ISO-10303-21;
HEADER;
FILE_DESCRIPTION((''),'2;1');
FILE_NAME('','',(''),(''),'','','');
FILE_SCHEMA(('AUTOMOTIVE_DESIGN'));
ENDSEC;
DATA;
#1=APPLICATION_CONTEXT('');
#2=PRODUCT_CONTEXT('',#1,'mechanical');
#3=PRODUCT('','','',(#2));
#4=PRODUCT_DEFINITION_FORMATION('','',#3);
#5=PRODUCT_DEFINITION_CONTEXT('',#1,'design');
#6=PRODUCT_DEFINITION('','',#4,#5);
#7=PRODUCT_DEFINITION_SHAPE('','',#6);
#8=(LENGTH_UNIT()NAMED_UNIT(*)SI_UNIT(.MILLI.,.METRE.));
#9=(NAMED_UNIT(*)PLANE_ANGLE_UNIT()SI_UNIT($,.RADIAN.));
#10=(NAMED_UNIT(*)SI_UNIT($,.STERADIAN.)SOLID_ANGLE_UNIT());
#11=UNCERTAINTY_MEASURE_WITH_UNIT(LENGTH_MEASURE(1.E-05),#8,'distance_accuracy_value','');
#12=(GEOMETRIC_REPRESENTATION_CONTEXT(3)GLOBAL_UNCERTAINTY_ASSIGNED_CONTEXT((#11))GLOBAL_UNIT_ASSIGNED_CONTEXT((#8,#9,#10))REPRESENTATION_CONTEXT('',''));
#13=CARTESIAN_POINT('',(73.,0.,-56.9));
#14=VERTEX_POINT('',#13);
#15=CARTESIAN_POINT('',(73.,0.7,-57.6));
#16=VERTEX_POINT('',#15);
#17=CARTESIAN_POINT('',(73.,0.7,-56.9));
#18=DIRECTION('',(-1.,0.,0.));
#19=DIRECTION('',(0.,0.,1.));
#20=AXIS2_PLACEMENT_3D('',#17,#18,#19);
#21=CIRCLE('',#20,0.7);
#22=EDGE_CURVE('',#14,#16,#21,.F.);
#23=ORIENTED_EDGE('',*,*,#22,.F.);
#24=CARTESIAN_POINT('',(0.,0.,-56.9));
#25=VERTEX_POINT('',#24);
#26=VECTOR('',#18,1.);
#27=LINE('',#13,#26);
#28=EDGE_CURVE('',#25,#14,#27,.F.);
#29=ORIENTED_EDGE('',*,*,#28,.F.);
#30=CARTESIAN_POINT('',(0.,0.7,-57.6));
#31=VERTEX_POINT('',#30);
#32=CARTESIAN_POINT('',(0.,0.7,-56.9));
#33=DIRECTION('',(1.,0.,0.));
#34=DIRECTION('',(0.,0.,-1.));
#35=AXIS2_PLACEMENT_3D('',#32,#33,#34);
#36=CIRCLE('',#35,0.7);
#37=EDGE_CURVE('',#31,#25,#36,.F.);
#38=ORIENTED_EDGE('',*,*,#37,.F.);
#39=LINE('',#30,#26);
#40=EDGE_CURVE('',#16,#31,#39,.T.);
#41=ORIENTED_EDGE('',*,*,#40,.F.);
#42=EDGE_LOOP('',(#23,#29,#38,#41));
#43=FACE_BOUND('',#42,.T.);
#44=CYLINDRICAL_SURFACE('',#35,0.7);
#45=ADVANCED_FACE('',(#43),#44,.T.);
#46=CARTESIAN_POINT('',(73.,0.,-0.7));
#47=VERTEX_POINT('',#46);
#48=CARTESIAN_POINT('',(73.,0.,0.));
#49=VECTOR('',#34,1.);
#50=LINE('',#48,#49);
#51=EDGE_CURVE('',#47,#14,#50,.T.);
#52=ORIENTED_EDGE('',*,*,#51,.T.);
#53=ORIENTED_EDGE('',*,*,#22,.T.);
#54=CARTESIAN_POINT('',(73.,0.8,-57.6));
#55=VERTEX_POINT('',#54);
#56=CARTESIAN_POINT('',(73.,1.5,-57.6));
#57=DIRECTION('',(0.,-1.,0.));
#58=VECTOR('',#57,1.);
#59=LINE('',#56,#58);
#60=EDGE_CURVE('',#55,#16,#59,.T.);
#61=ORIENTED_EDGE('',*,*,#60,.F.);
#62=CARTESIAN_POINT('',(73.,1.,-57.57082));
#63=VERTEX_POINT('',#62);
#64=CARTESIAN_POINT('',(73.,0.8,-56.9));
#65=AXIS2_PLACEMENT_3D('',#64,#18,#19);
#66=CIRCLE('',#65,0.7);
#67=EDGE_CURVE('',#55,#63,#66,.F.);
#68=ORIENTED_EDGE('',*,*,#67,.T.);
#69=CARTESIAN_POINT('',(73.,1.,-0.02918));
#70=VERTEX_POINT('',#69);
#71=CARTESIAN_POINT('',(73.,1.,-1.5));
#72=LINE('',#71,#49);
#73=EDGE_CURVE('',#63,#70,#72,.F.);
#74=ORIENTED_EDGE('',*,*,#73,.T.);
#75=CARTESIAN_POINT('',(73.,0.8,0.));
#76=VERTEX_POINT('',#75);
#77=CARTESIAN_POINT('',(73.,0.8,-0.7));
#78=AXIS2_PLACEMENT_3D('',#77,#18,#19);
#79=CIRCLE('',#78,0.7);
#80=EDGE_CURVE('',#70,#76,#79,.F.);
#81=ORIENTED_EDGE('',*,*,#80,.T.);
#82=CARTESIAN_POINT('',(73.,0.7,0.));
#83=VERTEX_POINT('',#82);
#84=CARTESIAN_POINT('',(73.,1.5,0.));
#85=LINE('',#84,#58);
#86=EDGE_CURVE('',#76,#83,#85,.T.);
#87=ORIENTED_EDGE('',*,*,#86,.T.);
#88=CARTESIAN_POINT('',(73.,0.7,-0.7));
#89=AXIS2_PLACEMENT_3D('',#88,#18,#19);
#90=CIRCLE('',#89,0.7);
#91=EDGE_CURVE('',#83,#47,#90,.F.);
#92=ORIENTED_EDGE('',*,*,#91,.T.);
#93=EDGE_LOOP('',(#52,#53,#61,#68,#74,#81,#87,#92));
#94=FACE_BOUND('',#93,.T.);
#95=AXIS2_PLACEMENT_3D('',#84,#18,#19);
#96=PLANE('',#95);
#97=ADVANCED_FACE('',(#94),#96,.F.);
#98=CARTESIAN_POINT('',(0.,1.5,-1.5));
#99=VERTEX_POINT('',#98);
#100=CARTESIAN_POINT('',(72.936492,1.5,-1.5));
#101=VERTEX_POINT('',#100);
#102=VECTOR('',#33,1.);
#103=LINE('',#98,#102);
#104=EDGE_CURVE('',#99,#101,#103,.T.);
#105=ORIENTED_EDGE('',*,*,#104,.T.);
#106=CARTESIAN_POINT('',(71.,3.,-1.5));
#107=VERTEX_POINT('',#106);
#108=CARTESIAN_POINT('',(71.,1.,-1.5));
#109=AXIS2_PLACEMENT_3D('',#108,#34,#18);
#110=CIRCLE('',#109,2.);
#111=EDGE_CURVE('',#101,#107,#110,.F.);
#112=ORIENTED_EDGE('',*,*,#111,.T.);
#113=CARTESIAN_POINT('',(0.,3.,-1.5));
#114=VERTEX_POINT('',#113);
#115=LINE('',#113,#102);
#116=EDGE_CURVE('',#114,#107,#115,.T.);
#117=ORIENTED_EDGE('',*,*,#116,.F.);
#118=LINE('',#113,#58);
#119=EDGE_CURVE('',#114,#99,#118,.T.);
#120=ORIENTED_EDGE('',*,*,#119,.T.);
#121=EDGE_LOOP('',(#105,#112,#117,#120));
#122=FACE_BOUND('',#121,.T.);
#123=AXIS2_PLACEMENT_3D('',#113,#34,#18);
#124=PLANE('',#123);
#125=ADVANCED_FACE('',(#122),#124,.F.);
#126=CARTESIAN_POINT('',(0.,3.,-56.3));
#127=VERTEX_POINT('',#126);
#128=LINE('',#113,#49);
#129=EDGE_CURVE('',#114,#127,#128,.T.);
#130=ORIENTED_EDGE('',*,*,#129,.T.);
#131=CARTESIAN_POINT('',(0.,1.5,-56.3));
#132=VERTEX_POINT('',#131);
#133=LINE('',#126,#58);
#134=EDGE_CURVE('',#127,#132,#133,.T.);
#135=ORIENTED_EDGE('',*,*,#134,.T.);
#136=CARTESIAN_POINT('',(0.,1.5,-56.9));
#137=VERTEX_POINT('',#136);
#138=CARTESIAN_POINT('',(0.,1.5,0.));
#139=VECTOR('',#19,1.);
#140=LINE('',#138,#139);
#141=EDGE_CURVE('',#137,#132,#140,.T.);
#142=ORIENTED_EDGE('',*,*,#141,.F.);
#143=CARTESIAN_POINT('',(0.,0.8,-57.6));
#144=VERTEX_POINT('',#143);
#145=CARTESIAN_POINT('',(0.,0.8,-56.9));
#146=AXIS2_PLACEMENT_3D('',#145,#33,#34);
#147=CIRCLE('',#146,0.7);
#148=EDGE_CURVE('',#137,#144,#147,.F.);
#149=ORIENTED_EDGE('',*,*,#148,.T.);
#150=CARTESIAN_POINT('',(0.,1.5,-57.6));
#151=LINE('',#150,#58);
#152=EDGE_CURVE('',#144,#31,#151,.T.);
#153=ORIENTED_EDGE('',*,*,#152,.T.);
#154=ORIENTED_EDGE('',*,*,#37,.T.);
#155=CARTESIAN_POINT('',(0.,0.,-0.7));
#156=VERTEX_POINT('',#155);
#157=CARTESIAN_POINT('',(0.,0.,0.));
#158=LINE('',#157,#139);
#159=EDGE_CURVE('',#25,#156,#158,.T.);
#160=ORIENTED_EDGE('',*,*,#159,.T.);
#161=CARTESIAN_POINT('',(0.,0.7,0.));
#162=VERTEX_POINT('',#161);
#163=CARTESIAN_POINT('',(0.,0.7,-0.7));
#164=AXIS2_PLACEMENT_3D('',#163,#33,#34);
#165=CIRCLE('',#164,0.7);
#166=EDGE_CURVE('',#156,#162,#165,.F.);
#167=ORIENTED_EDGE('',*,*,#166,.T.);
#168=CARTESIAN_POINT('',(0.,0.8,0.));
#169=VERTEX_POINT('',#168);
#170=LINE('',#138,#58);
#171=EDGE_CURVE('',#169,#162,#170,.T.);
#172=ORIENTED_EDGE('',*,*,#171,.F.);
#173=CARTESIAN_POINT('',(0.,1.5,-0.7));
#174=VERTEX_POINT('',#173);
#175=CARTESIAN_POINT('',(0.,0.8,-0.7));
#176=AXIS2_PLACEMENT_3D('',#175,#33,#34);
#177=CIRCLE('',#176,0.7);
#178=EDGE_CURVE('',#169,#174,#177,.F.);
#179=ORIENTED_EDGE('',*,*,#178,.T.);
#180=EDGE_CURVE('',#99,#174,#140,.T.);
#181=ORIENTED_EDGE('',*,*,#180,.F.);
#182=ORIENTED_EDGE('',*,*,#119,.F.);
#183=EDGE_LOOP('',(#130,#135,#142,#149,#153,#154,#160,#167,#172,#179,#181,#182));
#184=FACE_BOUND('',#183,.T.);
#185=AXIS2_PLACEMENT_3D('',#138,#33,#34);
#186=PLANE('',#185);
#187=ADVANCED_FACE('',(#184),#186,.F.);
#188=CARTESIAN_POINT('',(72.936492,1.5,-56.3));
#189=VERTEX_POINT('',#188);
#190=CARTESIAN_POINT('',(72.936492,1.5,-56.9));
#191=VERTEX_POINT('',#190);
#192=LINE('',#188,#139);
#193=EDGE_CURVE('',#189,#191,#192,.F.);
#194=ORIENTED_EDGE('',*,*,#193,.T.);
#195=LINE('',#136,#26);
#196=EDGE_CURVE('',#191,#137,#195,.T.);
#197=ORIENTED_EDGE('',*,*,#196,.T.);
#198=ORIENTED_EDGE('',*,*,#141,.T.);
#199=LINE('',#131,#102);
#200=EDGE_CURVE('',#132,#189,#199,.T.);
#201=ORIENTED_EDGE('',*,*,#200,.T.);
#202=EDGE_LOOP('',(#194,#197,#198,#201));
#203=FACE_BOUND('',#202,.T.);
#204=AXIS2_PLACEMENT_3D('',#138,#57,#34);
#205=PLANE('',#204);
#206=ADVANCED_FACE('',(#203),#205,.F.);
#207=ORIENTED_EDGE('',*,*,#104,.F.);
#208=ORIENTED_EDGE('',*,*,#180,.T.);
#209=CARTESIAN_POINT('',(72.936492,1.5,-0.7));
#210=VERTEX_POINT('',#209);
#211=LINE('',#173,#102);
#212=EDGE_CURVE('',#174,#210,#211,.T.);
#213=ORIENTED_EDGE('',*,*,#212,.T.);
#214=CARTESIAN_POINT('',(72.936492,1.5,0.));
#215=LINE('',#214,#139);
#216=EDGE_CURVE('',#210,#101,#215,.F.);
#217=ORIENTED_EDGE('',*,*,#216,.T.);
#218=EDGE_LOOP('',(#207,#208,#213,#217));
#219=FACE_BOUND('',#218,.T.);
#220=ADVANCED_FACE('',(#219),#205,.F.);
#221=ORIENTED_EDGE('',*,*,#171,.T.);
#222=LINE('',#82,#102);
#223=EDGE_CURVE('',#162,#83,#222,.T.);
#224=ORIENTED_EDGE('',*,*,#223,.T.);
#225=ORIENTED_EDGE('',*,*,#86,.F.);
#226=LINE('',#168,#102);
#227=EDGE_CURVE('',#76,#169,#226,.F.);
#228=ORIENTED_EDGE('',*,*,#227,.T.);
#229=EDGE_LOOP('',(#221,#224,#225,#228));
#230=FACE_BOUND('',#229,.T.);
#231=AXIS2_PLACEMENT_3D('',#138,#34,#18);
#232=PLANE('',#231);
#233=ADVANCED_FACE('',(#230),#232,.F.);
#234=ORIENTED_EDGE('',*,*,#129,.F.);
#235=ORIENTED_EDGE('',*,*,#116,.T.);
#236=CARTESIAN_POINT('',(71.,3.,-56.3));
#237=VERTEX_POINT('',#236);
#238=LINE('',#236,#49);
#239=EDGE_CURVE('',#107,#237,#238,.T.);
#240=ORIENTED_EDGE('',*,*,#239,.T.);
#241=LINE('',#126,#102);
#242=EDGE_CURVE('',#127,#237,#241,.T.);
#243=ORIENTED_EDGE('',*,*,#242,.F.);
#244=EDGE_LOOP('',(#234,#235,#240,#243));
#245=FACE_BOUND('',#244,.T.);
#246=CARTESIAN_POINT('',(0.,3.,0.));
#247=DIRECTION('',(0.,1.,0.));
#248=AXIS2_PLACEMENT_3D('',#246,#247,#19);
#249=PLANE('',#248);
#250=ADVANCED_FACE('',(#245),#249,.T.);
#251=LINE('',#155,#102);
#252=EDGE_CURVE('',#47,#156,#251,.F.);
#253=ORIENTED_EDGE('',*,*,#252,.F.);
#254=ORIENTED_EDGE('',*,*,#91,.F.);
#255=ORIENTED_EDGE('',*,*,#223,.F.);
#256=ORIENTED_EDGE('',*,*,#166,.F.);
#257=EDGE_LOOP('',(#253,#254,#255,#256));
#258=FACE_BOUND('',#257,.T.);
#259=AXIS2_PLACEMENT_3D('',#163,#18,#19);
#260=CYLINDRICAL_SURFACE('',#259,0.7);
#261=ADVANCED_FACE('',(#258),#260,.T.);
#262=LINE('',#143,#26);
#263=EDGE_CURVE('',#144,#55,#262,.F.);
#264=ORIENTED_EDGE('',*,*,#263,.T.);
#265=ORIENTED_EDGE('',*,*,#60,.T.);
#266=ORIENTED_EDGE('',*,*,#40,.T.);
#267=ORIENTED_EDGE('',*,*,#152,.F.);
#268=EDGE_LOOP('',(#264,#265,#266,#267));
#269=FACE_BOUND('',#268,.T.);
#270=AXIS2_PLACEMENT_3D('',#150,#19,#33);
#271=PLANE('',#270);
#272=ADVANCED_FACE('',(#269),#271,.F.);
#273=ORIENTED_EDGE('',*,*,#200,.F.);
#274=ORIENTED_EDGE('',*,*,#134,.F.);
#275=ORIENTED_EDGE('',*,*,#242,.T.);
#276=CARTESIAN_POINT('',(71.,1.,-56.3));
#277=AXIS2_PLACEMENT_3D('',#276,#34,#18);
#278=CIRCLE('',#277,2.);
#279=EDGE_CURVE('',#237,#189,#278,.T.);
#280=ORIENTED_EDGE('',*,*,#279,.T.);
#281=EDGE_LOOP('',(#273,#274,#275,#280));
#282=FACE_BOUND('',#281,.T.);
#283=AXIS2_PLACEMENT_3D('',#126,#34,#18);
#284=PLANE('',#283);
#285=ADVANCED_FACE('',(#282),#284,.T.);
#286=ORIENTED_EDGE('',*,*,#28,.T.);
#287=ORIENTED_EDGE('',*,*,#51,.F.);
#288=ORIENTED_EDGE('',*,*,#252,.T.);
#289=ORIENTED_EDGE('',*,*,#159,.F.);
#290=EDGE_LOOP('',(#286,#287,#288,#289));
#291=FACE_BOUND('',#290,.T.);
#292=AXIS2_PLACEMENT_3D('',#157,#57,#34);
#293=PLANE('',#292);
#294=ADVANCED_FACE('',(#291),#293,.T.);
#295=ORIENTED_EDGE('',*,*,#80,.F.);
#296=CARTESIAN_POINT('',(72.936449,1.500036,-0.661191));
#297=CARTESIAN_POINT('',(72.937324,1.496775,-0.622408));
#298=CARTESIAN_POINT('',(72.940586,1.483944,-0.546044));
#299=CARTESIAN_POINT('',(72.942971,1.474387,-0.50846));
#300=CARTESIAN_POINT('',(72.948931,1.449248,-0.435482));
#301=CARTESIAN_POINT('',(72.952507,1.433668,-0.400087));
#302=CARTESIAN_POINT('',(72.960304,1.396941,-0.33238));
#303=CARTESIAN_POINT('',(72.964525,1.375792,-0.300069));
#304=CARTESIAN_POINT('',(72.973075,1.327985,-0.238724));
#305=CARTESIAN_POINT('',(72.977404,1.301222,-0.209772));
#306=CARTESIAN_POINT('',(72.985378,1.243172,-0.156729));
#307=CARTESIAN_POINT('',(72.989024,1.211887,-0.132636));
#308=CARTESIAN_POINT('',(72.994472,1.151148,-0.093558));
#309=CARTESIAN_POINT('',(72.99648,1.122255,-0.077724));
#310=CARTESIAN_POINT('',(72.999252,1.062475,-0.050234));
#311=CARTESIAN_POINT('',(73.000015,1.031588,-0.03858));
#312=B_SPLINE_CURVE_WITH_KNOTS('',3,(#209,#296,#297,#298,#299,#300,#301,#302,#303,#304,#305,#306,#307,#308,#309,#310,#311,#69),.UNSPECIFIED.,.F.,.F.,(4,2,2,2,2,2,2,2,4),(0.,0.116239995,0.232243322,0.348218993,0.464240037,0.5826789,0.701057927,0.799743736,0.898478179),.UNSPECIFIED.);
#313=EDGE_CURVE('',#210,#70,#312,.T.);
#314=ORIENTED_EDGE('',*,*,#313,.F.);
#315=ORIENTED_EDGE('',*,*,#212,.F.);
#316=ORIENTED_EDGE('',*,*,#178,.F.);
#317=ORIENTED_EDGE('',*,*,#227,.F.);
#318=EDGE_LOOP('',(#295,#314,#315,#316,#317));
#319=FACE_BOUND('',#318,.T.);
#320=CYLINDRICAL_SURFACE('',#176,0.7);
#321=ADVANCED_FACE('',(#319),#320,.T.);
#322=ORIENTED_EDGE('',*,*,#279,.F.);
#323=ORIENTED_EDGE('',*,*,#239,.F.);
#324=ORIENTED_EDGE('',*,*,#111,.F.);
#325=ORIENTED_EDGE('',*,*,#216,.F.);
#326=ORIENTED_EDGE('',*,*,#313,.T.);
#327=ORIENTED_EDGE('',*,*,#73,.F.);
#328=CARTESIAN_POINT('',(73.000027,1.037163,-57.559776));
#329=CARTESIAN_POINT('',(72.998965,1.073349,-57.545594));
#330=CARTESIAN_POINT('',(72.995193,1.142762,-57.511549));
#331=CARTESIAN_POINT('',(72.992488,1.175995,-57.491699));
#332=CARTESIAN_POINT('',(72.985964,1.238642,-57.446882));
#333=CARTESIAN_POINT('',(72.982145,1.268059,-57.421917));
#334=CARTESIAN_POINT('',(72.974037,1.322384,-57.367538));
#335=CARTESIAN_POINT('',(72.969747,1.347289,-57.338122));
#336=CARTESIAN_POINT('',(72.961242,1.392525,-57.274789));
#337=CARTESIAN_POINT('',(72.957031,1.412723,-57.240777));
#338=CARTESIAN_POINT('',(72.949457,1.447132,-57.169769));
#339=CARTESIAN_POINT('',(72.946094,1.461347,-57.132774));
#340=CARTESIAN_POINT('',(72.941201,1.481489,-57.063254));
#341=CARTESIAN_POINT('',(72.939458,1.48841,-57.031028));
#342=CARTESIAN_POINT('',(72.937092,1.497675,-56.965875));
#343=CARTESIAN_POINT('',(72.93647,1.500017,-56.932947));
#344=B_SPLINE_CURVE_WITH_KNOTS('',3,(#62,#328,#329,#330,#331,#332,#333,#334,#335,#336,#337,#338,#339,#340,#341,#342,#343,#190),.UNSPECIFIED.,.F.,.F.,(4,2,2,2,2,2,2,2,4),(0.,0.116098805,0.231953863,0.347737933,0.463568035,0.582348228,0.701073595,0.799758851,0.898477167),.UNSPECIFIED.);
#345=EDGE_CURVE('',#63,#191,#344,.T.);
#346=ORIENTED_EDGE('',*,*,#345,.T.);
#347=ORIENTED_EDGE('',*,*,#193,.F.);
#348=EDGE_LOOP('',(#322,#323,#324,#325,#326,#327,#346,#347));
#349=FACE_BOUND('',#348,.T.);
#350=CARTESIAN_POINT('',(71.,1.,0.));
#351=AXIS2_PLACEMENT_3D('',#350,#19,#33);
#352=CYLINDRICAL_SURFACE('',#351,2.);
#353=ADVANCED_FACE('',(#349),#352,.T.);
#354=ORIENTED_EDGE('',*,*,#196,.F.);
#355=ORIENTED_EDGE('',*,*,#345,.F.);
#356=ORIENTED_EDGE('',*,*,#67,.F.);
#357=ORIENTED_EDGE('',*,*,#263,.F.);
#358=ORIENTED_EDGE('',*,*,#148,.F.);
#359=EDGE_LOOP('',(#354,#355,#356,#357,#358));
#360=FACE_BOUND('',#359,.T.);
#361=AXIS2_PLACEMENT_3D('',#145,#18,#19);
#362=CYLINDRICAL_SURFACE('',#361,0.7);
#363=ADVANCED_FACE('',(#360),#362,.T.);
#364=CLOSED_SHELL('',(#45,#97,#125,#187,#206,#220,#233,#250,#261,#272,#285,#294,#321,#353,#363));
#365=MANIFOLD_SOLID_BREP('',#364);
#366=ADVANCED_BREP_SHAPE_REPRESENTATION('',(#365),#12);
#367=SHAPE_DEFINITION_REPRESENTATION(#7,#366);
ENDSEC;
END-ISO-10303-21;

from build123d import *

# Parameters (mm, degrees)
CROQUIS1_W              = 73
CROQUIS1_H              = 57.6
SALIENTE_EXTRUIR1_DEPTH = 1.5
CROQUIS3_W              = 73
CROQUIS3_H              = 54.8
SALIENTE_EXTRUIR2_DEPTH = 3
REDONDEO1_R             = 2
REDONDEO4_R             = 0.7
REDONDEO5_R             = 0.7


with BuildPart() as part:
    # Croquis1 → Saliente-Extruir1 (new body)
    with BuildSketch(Plane(origin=(0, 0, 0), x_dir=(1, 0, 0), z_dir=(0, 1, 0))):
        with Locations((36.5, 28.8)):
            Rectangle(CROQUIS1_W, CROQUIS1_H)
    extrude(amount=SALIENTE_EXTRUIR1_DEPTH)

    # Croquis3 → Saliente-Extruir2 (add)
    with BuildSketch(Plane(origin=(0, 0, 0), x_dir=(1, 0, 0), z_dir=(0, 1, 0))):
        with Locations((36.5, 28.9)):
            Rectangle(CROQUIS3_W, CROQUIS3_H)
    extrude(amount=SALIENTE_EXTRUIR2_DEPTH)

    # Redondeo1
    redondeo1_edges = [part.edges().sort_by_distance(p)[0] for p in [
        (73, 3, -28.9),
    ]]
    fillet(redondeo1_edges, radius=REDONDEO1_R)

    # Redondeo4
    redondeo4_edges = [part.edges().sort_by_distance(p)[0] for p in [
        (36.5, 0, 0),
        (36.468245837, 1.5, 0),
    ]]
    fillet(redondeo4_edges, radius=REDONDEO4_R)

    # Redondeo5
    redondeo5_edges = [part.edges().sort_by_distance(p)[0] for p in [
        (36.5, 0, -57.6),
        (36.468245837, 1.5, -57.6),
    ]]
    fillet(redondeo5_edges, radius=REDONDEO5_R)


solid = part.part
